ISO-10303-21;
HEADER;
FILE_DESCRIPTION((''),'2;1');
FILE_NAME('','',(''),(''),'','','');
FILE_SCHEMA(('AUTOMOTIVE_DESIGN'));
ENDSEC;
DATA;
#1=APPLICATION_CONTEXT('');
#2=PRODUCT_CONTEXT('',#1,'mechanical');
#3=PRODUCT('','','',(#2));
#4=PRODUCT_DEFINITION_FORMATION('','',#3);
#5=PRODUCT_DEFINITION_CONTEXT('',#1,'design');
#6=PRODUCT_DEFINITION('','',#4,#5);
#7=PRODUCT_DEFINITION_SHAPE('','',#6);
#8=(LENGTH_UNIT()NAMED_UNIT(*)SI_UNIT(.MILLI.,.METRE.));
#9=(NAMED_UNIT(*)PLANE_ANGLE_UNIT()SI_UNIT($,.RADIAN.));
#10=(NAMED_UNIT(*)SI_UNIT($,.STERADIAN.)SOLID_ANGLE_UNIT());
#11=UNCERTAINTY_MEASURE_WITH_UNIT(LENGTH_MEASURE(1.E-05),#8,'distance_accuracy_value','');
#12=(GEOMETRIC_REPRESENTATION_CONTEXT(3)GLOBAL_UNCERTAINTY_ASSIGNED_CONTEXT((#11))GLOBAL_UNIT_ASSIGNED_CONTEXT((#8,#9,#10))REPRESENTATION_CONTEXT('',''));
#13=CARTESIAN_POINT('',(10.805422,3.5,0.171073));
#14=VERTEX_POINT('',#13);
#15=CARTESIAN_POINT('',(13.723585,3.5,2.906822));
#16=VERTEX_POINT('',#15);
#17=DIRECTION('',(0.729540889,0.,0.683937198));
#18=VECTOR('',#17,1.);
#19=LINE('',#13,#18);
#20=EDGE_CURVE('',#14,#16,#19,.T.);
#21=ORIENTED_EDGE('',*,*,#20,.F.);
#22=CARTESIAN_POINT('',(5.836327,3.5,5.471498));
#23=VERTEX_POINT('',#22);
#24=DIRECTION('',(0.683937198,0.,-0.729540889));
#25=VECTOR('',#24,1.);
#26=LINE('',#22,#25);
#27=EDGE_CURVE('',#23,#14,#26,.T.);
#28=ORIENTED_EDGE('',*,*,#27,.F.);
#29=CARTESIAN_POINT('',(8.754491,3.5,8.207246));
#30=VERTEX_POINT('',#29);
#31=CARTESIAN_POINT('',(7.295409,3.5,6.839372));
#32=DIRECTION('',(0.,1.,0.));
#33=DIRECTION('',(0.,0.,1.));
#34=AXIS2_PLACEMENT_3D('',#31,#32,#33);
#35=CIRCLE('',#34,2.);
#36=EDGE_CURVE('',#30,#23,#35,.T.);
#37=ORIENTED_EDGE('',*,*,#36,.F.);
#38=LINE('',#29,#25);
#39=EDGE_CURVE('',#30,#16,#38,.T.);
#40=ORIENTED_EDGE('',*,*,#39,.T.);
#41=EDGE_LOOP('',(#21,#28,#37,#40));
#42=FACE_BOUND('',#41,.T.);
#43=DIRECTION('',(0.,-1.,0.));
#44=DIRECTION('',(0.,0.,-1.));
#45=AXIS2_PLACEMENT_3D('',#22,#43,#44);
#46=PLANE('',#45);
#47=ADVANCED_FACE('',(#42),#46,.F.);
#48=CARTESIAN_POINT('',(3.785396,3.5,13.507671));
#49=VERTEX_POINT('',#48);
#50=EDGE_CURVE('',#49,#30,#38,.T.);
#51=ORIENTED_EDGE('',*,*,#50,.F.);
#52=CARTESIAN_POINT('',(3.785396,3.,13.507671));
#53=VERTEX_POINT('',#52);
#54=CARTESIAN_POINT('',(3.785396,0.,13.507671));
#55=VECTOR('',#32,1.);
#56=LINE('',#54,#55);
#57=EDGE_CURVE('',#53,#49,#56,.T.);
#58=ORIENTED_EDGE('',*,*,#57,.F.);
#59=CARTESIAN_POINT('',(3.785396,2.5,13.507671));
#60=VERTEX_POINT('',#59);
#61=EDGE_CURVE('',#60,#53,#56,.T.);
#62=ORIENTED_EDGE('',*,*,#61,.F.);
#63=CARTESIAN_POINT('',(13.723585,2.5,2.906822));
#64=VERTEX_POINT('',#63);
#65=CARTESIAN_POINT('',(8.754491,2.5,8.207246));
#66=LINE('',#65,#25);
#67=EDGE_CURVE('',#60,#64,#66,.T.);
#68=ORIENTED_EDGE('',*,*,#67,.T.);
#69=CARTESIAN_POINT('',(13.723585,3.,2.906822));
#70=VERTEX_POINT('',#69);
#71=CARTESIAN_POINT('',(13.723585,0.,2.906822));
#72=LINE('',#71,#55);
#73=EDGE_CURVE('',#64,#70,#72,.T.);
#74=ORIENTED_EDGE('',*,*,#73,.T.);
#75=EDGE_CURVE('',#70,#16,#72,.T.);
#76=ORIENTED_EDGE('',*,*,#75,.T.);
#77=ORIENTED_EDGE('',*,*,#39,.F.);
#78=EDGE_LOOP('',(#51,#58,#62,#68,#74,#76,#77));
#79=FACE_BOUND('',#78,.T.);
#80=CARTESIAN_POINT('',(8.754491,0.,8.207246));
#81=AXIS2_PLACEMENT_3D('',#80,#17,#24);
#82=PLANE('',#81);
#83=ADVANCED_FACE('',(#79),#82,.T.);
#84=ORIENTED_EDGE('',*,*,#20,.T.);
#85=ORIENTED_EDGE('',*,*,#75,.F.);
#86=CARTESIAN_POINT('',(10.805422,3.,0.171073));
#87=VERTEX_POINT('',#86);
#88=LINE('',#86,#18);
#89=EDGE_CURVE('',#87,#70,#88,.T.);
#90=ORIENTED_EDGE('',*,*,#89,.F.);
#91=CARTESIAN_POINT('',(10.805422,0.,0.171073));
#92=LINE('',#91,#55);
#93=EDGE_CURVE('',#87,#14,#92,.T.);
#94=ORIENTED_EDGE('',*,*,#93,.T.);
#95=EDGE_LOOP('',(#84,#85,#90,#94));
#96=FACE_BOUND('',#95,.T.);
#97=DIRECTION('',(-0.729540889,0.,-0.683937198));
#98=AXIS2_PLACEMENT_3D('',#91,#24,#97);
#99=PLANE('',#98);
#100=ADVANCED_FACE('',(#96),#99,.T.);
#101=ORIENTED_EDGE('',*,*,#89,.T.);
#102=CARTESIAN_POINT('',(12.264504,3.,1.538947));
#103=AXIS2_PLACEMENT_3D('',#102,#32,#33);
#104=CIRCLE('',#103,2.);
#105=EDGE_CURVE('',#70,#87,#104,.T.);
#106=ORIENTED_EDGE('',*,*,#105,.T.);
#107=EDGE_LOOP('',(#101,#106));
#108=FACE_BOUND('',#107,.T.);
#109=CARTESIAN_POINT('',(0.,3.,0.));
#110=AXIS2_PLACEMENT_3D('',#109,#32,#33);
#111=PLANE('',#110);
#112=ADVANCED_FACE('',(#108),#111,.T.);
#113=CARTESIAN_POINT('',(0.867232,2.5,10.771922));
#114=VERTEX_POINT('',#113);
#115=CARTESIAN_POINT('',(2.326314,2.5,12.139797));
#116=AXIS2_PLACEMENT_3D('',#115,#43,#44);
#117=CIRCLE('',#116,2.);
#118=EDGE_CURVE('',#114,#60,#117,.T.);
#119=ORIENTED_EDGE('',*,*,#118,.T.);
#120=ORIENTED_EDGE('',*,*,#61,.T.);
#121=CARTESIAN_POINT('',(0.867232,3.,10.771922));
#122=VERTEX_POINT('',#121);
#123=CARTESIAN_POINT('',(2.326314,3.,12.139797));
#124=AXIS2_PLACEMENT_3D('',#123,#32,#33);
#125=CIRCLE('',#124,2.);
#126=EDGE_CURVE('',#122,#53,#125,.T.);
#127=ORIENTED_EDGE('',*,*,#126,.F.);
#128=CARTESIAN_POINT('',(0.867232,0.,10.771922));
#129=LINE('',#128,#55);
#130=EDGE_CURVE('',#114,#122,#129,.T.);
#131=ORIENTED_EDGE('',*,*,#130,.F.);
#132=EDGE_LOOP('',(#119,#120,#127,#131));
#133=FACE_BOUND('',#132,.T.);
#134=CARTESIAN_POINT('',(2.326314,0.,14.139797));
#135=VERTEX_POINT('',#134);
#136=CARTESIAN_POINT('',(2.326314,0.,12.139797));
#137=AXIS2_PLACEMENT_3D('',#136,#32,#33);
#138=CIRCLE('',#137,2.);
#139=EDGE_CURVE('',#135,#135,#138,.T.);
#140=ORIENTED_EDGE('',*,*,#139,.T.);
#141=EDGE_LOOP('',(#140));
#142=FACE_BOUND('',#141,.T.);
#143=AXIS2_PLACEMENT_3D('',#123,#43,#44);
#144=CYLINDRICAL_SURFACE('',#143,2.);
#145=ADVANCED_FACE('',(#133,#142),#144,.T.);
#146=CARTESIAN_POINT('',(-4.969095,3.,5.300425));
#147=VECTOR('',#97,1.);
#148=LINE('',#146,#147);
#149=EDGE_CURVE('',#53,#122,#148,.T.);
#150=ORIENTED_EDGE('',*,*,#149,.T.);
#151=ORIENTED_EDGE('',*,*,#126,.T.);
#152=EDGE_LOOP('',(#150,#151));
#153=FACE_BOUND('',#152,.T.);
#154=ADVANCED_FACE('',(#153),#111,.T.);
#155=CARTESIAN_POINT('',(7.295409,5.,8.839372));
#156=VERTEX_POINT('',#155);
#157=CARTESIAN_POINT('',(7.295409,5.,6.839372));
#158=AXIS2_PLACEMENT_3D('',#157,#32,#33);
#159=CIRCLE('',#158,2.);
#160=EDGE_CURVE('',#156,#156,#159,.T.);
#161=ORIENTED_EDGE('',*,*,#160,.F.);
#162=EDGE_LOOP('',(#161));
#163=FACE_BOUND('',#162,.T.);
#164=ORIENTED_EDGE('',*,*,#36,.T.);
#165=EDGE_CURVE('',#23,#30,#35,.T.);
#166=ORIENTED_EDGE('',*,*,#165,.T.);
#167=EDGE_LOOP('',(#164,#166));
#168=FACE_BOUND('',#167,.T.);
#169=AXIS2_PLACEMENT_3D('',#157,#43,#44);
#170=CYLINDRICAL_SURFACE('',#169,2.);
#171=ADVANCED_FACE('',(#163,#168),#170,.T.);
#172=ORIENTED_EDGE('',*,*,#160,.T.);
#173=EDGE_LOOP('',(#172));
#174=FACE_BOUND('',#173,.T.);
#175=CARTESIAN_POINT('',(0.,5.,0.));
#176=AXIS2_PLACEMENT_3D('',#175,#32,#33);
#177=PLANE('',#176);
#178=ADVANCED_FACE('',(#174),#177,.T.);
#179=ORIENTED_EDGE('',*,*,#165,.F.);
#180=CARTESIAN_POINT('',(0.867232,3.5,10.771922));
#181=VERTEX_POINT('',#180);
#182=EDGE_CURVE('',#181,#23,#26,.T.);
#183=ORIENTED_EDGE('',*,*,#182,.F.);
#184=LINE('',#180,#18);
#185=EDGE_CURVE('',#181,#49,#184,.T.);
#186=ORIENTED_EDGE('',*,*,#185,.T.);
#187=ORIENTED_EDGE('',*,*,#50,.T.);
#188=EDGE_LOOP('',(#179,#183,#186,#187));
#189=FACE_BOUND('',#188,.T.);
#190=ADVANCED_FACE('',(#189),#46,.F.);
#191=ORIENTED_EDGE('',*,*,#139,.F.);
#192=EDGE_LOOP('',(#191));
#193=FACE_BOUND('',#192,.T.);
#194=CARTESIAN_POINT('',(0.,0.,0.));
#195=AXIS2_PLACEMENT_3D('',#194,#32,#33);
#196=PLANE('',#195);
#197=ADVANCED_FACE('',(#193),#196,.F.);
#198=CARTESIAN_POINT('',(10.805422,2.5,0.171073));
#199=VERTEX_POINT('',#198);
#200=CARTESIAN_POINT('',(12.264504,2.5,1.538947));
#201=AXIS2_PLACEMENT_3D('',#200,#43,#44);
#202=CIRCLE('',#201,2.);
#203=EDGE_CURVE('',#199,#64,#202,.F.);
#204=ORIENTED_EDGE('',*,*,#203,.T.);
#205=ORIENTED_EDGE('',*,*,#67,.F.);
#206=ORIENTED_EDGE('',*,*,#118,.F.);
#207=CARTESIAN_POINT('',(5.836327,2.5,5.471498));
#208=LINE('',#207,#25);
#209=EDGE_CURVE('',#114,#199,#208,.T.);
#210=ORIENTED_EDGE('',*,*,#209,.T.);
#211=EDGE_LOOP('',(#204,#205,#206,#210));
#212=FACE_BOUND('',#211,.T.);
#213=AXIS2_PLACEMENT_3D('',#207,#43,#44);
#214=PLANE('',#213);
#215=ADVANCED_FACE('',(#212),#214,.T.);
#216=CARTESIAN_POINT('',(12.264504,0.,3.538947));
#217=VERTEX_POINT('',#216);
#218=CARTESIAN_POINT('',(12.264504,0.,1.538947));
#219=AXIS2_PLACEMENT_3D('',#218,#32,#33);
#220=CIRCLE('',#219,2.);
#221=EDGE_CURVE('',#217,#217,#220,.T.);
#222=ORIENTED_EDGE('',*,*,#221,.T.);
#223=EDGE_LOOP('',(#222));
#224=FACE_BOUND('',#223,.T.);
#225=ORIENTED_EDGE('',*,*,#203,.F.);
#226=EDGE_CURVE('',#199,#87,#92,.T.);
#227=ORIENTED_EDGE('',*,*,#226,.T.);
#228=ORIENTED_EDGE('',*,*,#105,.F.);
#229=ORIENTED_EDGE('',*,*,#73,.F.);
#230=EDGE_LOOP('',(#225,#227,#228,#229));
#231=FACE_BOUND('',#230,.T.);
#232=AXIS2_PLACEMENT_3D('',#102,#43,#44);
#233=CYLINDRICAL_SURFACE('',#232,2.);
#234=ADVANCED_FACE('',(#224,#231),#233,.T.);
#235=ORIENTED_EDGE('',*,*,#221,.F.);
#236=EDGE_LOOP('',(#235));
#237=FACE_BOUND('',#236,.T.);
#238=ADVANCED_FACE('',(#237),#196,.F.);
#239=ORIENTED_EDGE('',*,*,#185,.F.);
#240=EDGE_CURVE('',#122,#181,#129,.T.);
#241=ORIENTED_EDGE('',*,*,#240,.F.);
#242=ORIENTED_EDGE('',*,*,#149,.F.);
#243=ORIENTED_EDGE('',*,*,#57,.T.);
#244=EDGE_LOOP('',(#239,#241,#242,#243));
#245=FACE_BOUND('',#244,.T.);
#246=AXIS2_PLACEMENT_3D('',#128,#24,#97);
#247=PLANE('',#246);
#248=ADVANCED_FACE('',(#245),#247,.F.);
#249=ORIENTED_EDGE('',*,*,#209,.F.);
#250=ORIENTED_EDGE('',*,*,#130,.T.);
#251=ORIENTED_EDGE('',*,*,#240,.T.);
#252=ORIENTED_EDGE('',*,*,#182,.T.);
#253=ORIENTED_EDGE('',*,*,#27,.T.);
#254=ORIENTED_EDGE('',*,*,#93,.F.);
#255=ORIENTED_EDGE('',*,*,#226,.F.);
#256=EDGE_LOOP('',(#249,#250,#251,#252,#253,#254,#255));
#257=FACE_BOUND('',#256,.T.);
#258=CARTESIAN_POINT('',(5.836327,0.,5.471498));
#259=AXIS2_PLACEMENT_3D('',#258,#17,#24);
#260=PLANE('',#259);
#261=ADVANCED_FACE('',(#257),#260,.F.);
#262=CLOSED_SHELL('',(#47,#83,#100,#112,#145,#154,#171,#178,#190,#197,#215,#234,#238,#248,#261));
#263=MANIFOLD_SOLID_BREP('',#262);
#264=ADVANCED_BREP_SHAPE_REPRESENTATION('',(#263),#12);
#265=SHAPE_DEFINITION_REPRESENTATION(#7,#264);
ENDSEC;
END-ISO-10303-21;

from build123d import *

# Parameters (mm, degrees)
SKETCH1_R             = 2
BOSS_EXTRUDE1_DEPTH   = 3
BOSS_EXTRUDE1_2_DEPTH = 3
BOSS_EXTRUDE2_DEPTH   = 4
SKETCH4_R             = 2
BOSS_EXTRUDE3_DEPTH   = 1.5


with BuildPart() as part:
    # Sketch1 → Boss-Extrude1 (new body)
    with BuildSketch(Plane(origin=(0, 0, 0), x_dir=(1, 0, 0), z_dir=(0, 1, 0))):
        with Locations((2.326314278, -12.139796801)):
            Circle(SKETCH1_R)
    extrude(amount=BOSS_EXTRUDE1_DEPTH)



with BuildPart() as body_2:
    # Sketch1 → Boss-Extrude1 2 (new body)
    with BuildSketch(Plane(origin=(0, 0, 0), x_dir=(1, 0, 0), z_dir=(0, 1, 0))):
        with Locations((12.264503501, -1.538947167)):
            Circle(SKETCH1_R)
    extrude(amount=BOSS_EXTRUDE1_2_DEPTH)


with BuildPart() as part_1:
    add(part.part)

    add(body_2.part)  # Boss-Extrude2 merges body 2
    # Sketch2 → Boss-Extrude2 (add)
    with BuildSketch(Plane(origin=(8.754490667, 0, 8.207246381), x_dir=(0.683937198, 0, -0.729540889), z_dir=(0.729540889, 0, 0.683937198))):
        Polygon((5.26542528, 3), (7.26542528, 3), (7.26542528, 3.5), (-7.26542528, 3.5), (-7.26542528, 3), align=None)
        Polygon((7.26542528, 2.5), (7.26542528, 3), (5.26542528, 3), (-7.26542528, 3), (-7.26542528, 2.5), align=None)
    extrude(amount=-BOSS_EXTRUDE2_DEPTH)

    # Sketch4 → Boss-Extrude3 (add)
    with BuildSketch(Plane(origin=(0, 3.5, 0), x_dir=(1, 0, 0), z_dir=(0, 1, 0))):
        with Locations((7.295408889, -6.839371984)):
            Circle(SKETCH4_R)
    extrude(amount=BOSS_EXTRUDE3_DEPTH)


solid = part_1.part
